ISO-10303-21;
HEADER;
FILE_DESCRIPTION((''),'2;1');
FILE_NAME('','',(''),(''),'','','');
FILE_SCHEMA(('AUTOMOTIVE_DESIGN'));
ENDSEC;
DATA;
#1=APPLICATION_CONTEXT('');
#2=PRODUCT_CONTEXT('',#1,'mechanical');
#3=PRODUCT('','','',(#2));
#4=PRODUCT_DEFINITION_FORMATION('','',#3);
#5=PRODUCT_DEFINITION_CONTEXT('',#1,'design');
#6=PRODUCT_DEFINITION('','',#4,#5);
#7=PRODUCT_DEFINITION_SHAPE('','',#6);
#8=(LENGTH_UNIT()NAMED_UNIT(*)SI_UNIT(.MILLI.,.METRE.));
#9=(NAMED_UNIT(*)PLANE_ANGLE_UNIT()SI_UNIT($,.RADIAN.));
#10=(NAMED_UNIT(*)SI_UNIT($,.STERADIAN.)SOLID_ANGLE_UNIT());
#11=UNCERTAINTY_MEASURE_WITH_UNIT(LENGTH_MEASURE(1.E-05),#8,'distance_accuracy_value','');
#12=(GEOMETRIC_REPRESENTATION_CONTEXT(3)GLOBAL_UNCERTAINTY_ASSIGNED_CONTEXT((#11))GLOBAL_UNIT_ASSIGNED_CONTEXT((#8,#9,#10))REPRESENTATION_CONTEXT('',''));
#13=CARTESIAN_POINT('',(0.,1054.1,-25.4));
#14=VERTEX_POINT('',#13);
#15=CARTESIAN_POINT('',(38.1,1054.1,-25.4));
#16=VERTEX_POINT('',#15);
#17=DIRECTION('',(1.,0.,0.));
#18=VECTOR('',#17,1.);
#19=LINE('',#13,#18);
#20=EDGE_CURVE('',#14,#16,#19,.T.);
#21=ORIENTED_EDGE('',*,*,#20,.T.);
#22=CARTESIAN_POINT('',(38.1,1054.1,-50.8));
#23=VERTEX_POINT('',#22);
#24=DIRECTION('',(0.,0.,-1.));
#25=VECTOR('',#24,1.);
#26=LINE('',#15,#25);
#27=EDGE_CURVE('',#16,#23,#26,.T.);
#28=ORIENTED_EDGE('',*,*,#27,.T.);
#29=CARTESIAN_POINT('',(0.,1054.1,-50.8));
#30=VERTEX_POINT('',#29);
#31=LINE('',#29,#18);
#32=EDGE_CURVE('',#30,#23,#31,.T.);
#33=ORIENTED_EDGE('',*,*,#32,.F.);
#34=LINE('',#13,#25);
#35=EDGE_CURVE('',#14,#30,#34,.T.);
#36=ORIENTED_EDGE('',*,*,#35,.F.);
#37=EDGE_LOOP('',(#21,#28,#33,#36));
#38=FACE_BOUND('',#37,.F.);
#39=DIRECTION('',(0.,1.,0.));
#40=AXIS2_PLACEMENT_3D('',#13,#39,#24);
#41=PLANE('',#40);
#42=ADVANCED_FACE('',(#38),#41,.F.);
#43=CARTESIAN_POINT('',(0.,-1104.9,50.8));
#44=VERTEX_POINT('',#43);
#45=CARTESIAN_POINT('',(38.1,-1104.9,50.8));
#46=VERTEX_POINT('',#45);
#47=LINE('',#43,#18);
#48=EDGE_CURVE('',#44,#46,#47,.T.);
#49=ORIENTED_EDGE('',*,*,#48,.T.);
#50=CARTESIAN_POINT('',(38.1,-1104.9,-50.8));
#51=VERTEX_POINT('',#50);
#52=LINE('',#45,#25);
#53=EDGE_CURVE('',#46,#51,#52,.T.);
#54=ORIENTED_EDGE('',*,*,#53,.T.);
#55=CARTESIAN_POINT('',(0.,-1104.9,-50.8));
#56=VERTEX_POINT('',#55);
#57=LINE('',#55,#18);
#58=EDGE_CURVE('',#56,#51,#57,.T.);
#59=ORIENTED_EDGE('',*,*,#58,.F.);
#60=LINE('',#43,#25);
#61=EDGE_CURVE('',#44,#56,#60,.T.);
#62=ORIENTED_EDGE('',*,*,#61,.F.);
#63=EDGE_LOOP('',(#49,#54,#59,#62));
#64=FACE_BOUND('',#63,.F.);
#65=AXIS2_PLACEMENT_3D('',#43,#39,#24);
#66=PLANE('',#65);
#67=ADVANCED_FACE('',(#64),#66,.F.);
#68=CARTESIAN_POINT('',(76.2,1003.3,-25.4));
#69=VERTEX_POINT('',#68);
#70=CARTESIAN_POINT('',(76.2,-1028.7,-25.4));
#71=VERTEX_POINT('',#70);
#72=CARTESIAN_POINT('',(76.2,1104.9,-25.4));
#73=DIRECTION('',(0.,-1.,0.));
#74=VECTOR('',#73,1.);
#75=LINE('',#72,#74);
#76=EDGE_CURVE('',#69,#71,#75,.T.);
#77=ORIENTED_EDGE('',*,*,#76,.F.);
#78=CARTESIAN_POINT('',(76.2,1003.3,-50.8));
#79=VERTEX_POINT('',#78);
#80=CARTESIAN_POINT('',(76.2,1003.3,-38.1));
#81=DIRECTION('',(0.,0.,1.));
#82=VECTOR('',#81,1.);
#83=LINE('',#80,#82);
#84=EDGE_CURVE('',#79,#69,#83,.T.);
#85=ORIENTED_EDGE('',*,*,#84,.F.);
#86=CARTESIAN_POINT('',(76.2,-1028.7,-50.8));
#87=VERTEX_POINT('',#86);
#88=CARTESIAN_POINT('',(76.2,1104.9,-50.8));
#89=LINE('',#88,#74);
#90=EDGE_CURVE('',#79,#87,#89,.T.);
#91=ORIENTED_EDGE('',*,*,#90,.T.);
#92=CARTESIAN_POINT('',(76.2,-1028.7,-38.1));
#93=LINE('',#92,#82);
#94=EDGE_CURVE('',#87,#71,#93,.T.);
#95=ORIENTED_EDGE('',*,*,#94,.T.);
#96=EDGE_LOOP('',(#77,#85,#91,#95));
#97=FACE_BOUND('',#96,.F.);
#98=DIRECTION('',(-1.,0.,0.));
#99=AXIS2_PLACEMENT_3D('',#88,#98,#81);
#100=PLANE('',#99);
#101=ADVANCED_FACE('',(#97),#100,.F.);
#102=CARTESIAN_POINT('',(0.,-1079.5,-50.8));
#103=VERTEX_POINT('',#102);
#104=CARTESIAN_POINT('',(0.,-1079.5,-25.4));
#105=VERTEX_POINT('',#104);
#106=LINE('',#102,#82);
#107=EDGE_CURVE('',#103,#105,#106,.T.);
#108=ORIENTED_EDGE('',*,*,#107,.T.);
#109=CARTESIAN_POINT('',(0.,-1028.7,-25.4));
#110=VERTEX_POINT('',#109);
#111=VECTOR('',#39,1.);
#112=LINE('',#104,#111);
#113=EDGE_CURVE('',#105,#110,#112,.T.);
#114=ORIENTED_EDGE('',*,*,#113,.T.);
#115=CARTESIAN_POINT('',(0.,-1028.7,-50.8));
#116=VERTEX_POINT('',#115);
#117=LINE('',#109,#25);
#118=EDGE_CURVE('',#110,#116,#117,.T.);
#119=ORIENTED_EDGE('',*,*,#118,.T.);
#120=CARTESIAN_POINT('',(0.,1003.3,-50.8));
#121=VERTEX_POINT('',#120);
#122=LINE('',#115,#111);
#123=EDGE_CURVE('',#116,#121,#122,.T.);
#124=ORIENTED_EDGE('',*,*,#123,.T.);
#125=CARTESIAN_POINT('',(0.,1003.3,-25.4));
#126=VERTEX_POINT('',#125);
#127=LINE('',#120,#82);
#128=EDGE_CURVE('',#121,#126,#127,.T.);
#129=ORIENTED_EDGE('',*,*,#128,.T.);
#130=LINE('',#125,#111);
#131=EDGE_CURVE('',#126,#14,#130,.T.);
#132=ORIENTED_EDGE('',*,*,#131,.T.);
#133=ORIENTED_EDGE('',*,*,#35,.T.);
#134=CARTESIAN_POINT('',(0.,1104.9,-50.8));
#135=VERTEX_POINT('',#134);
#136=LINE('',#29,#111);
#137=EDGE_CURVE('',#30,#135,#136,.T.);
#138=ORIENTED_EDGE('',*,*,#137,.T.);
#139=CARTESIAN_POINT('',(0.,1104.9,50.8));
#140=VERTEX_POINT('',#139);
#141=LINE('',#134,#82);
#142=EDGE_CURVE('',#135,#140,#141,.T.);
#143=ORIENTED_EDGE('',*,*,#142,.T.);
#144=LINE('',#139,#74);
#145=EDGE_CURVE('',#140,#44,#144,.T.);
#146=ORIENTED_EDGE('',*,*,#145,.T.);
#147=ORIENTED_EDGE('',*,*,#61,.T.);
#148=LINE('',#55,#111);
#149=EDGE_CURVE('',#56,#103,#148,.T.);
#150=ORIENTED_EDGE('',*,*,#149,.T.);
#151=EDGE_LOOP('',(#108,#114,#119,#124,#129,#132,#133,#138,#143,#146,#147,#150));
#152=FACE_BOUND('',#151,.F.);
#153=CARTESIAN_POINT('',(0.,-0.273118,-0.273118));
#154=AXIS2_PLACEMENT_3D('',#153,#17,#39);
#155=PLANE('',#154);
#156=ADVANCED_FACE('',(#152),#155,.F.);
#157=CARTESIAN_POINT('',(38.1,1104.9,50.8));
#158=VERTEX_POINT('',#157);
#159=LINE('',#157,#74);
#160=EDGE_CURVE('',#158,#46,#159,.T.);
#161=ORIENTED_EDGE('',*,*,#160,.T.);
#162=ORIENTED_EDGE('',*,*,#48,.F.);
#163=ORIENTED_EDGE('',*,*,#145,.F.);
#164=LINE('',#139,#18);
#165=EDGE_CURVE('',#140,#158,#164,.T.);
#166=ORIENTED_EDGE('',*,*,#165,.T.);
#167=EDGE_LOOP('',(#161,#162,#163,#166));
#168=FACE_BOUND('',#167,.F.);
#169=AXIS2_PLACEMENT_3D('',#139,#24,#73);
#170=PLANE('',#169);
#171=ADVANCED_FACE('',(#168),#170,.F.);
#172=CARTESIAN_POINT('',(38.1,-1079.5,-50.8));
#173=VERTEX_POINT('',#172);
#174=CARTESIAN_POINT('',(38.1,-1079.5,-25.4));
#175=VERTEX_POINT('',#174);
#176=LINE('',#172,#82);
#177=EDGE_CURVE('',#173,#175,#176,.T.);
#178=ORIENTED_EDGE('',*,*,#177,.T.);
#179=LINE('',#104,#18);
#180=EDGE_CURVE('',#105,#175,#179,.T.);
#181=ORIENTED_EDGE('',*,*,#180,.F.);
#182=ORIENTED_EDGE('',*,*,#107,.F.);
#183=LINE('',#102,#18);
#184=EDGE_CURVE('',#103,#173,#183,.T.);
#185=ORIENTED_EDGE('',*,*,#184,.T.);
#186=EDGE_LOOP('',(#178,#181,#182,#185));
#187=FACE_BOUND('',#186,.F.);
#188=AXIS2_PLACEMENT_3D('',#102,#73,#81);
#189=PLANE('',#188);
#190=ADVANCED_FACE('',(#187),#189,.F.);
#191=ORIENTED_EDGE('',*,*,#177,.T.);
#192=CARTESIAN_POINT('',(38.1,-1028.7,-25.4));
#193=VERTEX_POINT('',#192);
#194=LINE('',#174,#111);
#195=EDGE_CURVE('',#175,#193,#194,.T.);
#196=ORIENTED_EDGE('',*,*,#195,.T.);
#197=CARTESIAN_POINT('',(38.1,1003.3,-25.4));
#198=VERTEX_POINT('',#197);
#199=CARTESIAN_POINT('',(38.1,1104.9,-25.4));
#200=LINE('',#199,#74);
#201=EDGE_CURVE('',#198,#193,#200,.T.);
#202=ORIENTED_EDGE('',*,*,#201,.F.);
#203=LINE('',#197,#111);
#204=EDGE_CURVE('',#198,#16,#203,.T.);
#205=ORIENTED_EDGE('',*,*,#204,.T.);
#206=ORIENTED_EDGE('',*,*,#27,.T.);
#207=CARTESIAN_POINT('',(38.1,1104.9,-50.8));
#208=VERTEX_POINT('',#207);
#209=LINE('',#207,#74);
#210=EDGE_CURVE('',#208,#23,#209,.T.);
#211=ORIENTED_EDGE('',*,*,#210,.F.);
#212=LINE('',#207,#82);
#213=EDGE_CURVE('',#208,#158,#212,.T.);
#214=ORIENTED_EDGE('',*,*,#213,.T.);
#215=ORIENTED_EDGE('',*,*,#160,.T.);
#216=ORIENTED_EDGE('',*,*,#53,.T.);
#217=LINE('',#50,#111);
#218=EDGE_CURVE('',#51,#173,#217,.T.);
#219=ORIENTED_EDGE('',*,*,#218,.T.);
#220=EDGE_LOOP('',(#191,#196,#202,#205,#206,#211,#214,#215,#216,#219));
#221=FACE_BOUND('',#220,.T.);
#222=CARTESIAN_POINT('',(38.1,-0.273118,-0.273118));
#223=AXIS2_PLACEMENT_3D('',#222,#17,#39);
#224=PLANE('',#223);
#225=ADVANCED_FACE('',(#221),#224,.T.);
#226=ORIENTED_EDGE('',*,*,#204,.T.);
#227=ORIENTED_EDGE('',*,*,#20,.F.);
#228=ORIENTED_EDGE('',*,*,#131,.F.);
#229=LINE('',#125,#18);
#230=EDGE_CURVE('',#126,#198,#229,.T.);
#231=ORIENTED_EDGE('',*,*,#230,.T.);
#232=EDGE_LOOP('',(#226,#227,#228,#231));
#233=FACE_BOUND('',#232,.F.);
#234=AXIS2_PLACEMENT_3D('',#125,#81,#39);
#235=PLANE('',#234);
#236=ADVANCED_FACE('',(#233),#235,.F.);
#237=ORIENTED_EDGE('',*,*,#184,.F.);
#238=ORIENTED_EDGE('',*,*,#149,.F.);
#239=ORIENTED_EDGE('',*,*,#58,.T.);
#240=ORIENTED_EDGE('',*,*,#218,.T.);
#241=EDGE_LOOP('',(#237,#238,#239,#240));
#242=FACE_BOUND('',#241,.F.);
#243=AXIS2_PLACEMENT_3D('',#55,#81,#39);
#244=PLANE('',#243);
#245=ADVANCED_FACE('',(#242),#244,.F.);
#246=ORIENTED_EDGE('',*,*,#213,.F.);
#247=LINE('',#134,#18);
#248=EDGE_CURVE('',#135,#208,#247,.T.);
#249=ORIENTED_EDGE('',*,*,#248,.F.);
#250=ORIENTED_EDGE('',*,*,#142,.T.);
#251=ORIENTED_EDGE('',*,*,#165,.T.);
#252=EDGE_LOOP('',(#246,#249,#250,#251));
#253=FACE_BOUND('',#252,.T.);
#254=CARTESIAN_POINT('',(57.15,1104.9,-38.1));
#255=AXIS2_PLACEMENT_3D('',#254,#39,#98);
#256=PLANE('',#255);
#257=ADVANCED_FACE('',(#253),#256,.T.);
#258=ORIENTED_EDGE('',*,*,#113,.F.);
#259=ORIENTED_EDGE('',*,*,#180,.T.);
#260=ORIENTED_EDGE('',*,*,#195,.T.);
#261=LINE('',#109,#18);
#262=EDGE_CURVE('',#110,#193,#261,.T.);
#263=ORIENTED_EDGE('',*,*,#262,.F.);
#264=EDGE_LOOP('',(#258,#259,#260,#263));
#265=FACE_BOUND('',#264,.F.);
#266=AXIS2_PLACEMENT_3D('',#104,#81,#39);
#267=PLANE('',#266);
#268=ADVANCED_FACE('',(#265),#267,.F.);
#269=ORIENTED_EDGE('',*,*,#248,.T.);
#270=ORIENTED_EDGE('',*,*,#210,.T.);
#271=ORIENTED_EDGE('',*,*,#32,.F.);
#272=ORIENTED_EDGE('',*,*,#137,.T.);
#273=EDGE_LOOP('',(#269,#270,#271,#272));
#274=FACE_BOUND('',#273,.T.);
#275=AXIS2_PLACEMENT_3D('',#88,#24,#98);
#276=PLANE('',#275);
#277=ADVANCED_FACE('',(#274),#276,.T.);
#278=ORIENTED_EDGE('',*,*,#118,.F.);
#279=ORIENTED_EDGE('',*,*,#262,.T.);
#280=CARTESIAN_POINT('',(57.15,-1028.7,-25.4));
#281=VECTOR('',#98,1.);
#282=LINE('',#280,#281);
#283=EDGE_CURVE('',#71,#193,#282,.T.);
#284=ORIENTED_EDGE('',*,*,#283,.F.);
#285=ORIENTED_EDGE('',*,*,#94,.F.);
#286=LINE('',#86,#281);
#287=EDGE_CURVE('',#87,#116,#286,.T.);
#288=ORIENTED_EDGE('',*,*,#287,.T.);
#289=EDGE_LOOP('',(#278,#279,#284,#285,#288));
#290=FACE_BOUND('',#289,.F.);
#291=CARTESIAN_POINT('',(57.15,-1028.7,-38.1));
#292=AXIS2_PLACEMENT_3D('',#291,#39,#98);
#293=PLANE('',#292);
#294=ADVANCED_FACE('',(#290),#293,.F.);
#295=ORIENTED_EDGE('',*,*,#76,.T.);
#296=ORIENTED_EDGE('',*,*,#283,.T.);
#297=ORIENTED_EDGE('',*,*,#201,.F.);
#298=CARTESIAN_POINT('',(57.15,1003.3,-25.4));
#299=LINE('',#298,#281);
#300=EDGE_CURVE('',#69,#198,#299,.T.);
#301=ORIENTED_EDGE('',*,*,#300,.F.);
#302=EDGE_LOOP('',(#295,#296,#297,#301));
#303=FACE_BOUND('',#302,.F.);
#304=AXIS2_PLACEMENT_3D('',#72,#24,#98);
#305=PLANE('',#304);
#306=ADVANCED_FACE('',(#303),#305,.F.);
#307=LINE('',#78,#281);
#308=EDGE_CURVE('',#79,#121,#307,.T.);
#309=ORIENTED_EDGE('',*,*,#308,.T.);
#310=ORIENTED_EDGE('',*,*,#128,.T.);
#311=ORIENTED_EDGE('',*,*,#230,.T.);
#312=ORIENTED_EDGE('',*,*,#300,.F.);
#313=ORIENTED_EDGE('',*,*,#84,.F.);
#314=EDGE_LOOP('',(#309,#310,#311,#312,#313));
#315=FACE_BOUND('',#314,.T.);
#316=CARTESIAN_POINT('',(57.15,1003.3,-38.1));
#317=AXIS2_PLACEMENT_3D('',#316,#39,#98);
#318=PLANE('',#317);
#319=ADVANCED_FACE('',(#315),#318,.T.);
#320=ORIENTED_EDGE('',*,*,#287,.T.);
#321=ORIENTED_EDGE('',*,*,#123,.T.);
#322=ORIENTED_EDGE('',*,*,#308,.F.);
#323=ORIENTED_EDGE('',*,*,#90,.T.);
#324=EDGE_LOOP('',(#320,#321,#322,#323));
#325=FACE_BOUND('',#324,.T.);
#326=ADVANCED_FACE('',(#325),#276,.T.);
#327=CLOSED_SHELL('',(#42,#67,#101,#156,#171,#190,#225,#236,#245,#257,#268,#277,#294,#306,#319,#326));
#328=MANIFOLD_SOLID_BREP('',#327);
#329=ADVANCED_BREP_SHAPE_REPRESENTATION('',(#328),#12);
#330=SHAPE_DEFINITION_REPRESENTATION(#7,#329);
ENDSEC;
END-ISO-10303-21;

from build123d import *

# Parameters (mm, degrees)
F1_DEPTH = 38.1
F2_W     = 38.1
F2_H     = 25.4
F3_DEPTH = 2133.6
F4_DEPTH = 101.6


with BuildPart() as f1:
    # F0 (on Right) → F1 (new body)
    with BuildSketch(Plane.YZ):
        Polygon((1104.9, 50.8), (-1104.9, 50.8), (-1104.9, -50.8), (-1079.5, -50.8), (-1079.5, -25.4), (-1028.7, -25.4), (-1028.7, -50.8), (1003.3, -50.8), (1003.3, -25.4), (1054.1, -25.4), (1054.1, -50.8), (1104.9, -50.8), align=None)
    extrude(amount=F1_DEPTH)

    # F2 (on face) → F3 (join)
    with BuildSketch(Plane(origin=(0, 1104.9, 0), x_dir=(-1, 0, 0), z_dir=(0, 1, 0))):
        with Locations((-57.15, -38.1)):
            Rectangle(F2_W, F2_H)
    extrude(amount=-F3_DEPTH)

    # F2 (on face) → F4 (cut)
    with BuildSketch(Plane(origin=(0, 1104.9, 0), x_dir=(-1, 0, 0), z_dir=(0, 1, 0))):
        with Locations((-57.15, -38.1)):
            Rectangle(F2_W, F2_H)
    extrude(amount=-F4_DEPTH, mode=Mode.SUBTRACT)


solid = f1.part
